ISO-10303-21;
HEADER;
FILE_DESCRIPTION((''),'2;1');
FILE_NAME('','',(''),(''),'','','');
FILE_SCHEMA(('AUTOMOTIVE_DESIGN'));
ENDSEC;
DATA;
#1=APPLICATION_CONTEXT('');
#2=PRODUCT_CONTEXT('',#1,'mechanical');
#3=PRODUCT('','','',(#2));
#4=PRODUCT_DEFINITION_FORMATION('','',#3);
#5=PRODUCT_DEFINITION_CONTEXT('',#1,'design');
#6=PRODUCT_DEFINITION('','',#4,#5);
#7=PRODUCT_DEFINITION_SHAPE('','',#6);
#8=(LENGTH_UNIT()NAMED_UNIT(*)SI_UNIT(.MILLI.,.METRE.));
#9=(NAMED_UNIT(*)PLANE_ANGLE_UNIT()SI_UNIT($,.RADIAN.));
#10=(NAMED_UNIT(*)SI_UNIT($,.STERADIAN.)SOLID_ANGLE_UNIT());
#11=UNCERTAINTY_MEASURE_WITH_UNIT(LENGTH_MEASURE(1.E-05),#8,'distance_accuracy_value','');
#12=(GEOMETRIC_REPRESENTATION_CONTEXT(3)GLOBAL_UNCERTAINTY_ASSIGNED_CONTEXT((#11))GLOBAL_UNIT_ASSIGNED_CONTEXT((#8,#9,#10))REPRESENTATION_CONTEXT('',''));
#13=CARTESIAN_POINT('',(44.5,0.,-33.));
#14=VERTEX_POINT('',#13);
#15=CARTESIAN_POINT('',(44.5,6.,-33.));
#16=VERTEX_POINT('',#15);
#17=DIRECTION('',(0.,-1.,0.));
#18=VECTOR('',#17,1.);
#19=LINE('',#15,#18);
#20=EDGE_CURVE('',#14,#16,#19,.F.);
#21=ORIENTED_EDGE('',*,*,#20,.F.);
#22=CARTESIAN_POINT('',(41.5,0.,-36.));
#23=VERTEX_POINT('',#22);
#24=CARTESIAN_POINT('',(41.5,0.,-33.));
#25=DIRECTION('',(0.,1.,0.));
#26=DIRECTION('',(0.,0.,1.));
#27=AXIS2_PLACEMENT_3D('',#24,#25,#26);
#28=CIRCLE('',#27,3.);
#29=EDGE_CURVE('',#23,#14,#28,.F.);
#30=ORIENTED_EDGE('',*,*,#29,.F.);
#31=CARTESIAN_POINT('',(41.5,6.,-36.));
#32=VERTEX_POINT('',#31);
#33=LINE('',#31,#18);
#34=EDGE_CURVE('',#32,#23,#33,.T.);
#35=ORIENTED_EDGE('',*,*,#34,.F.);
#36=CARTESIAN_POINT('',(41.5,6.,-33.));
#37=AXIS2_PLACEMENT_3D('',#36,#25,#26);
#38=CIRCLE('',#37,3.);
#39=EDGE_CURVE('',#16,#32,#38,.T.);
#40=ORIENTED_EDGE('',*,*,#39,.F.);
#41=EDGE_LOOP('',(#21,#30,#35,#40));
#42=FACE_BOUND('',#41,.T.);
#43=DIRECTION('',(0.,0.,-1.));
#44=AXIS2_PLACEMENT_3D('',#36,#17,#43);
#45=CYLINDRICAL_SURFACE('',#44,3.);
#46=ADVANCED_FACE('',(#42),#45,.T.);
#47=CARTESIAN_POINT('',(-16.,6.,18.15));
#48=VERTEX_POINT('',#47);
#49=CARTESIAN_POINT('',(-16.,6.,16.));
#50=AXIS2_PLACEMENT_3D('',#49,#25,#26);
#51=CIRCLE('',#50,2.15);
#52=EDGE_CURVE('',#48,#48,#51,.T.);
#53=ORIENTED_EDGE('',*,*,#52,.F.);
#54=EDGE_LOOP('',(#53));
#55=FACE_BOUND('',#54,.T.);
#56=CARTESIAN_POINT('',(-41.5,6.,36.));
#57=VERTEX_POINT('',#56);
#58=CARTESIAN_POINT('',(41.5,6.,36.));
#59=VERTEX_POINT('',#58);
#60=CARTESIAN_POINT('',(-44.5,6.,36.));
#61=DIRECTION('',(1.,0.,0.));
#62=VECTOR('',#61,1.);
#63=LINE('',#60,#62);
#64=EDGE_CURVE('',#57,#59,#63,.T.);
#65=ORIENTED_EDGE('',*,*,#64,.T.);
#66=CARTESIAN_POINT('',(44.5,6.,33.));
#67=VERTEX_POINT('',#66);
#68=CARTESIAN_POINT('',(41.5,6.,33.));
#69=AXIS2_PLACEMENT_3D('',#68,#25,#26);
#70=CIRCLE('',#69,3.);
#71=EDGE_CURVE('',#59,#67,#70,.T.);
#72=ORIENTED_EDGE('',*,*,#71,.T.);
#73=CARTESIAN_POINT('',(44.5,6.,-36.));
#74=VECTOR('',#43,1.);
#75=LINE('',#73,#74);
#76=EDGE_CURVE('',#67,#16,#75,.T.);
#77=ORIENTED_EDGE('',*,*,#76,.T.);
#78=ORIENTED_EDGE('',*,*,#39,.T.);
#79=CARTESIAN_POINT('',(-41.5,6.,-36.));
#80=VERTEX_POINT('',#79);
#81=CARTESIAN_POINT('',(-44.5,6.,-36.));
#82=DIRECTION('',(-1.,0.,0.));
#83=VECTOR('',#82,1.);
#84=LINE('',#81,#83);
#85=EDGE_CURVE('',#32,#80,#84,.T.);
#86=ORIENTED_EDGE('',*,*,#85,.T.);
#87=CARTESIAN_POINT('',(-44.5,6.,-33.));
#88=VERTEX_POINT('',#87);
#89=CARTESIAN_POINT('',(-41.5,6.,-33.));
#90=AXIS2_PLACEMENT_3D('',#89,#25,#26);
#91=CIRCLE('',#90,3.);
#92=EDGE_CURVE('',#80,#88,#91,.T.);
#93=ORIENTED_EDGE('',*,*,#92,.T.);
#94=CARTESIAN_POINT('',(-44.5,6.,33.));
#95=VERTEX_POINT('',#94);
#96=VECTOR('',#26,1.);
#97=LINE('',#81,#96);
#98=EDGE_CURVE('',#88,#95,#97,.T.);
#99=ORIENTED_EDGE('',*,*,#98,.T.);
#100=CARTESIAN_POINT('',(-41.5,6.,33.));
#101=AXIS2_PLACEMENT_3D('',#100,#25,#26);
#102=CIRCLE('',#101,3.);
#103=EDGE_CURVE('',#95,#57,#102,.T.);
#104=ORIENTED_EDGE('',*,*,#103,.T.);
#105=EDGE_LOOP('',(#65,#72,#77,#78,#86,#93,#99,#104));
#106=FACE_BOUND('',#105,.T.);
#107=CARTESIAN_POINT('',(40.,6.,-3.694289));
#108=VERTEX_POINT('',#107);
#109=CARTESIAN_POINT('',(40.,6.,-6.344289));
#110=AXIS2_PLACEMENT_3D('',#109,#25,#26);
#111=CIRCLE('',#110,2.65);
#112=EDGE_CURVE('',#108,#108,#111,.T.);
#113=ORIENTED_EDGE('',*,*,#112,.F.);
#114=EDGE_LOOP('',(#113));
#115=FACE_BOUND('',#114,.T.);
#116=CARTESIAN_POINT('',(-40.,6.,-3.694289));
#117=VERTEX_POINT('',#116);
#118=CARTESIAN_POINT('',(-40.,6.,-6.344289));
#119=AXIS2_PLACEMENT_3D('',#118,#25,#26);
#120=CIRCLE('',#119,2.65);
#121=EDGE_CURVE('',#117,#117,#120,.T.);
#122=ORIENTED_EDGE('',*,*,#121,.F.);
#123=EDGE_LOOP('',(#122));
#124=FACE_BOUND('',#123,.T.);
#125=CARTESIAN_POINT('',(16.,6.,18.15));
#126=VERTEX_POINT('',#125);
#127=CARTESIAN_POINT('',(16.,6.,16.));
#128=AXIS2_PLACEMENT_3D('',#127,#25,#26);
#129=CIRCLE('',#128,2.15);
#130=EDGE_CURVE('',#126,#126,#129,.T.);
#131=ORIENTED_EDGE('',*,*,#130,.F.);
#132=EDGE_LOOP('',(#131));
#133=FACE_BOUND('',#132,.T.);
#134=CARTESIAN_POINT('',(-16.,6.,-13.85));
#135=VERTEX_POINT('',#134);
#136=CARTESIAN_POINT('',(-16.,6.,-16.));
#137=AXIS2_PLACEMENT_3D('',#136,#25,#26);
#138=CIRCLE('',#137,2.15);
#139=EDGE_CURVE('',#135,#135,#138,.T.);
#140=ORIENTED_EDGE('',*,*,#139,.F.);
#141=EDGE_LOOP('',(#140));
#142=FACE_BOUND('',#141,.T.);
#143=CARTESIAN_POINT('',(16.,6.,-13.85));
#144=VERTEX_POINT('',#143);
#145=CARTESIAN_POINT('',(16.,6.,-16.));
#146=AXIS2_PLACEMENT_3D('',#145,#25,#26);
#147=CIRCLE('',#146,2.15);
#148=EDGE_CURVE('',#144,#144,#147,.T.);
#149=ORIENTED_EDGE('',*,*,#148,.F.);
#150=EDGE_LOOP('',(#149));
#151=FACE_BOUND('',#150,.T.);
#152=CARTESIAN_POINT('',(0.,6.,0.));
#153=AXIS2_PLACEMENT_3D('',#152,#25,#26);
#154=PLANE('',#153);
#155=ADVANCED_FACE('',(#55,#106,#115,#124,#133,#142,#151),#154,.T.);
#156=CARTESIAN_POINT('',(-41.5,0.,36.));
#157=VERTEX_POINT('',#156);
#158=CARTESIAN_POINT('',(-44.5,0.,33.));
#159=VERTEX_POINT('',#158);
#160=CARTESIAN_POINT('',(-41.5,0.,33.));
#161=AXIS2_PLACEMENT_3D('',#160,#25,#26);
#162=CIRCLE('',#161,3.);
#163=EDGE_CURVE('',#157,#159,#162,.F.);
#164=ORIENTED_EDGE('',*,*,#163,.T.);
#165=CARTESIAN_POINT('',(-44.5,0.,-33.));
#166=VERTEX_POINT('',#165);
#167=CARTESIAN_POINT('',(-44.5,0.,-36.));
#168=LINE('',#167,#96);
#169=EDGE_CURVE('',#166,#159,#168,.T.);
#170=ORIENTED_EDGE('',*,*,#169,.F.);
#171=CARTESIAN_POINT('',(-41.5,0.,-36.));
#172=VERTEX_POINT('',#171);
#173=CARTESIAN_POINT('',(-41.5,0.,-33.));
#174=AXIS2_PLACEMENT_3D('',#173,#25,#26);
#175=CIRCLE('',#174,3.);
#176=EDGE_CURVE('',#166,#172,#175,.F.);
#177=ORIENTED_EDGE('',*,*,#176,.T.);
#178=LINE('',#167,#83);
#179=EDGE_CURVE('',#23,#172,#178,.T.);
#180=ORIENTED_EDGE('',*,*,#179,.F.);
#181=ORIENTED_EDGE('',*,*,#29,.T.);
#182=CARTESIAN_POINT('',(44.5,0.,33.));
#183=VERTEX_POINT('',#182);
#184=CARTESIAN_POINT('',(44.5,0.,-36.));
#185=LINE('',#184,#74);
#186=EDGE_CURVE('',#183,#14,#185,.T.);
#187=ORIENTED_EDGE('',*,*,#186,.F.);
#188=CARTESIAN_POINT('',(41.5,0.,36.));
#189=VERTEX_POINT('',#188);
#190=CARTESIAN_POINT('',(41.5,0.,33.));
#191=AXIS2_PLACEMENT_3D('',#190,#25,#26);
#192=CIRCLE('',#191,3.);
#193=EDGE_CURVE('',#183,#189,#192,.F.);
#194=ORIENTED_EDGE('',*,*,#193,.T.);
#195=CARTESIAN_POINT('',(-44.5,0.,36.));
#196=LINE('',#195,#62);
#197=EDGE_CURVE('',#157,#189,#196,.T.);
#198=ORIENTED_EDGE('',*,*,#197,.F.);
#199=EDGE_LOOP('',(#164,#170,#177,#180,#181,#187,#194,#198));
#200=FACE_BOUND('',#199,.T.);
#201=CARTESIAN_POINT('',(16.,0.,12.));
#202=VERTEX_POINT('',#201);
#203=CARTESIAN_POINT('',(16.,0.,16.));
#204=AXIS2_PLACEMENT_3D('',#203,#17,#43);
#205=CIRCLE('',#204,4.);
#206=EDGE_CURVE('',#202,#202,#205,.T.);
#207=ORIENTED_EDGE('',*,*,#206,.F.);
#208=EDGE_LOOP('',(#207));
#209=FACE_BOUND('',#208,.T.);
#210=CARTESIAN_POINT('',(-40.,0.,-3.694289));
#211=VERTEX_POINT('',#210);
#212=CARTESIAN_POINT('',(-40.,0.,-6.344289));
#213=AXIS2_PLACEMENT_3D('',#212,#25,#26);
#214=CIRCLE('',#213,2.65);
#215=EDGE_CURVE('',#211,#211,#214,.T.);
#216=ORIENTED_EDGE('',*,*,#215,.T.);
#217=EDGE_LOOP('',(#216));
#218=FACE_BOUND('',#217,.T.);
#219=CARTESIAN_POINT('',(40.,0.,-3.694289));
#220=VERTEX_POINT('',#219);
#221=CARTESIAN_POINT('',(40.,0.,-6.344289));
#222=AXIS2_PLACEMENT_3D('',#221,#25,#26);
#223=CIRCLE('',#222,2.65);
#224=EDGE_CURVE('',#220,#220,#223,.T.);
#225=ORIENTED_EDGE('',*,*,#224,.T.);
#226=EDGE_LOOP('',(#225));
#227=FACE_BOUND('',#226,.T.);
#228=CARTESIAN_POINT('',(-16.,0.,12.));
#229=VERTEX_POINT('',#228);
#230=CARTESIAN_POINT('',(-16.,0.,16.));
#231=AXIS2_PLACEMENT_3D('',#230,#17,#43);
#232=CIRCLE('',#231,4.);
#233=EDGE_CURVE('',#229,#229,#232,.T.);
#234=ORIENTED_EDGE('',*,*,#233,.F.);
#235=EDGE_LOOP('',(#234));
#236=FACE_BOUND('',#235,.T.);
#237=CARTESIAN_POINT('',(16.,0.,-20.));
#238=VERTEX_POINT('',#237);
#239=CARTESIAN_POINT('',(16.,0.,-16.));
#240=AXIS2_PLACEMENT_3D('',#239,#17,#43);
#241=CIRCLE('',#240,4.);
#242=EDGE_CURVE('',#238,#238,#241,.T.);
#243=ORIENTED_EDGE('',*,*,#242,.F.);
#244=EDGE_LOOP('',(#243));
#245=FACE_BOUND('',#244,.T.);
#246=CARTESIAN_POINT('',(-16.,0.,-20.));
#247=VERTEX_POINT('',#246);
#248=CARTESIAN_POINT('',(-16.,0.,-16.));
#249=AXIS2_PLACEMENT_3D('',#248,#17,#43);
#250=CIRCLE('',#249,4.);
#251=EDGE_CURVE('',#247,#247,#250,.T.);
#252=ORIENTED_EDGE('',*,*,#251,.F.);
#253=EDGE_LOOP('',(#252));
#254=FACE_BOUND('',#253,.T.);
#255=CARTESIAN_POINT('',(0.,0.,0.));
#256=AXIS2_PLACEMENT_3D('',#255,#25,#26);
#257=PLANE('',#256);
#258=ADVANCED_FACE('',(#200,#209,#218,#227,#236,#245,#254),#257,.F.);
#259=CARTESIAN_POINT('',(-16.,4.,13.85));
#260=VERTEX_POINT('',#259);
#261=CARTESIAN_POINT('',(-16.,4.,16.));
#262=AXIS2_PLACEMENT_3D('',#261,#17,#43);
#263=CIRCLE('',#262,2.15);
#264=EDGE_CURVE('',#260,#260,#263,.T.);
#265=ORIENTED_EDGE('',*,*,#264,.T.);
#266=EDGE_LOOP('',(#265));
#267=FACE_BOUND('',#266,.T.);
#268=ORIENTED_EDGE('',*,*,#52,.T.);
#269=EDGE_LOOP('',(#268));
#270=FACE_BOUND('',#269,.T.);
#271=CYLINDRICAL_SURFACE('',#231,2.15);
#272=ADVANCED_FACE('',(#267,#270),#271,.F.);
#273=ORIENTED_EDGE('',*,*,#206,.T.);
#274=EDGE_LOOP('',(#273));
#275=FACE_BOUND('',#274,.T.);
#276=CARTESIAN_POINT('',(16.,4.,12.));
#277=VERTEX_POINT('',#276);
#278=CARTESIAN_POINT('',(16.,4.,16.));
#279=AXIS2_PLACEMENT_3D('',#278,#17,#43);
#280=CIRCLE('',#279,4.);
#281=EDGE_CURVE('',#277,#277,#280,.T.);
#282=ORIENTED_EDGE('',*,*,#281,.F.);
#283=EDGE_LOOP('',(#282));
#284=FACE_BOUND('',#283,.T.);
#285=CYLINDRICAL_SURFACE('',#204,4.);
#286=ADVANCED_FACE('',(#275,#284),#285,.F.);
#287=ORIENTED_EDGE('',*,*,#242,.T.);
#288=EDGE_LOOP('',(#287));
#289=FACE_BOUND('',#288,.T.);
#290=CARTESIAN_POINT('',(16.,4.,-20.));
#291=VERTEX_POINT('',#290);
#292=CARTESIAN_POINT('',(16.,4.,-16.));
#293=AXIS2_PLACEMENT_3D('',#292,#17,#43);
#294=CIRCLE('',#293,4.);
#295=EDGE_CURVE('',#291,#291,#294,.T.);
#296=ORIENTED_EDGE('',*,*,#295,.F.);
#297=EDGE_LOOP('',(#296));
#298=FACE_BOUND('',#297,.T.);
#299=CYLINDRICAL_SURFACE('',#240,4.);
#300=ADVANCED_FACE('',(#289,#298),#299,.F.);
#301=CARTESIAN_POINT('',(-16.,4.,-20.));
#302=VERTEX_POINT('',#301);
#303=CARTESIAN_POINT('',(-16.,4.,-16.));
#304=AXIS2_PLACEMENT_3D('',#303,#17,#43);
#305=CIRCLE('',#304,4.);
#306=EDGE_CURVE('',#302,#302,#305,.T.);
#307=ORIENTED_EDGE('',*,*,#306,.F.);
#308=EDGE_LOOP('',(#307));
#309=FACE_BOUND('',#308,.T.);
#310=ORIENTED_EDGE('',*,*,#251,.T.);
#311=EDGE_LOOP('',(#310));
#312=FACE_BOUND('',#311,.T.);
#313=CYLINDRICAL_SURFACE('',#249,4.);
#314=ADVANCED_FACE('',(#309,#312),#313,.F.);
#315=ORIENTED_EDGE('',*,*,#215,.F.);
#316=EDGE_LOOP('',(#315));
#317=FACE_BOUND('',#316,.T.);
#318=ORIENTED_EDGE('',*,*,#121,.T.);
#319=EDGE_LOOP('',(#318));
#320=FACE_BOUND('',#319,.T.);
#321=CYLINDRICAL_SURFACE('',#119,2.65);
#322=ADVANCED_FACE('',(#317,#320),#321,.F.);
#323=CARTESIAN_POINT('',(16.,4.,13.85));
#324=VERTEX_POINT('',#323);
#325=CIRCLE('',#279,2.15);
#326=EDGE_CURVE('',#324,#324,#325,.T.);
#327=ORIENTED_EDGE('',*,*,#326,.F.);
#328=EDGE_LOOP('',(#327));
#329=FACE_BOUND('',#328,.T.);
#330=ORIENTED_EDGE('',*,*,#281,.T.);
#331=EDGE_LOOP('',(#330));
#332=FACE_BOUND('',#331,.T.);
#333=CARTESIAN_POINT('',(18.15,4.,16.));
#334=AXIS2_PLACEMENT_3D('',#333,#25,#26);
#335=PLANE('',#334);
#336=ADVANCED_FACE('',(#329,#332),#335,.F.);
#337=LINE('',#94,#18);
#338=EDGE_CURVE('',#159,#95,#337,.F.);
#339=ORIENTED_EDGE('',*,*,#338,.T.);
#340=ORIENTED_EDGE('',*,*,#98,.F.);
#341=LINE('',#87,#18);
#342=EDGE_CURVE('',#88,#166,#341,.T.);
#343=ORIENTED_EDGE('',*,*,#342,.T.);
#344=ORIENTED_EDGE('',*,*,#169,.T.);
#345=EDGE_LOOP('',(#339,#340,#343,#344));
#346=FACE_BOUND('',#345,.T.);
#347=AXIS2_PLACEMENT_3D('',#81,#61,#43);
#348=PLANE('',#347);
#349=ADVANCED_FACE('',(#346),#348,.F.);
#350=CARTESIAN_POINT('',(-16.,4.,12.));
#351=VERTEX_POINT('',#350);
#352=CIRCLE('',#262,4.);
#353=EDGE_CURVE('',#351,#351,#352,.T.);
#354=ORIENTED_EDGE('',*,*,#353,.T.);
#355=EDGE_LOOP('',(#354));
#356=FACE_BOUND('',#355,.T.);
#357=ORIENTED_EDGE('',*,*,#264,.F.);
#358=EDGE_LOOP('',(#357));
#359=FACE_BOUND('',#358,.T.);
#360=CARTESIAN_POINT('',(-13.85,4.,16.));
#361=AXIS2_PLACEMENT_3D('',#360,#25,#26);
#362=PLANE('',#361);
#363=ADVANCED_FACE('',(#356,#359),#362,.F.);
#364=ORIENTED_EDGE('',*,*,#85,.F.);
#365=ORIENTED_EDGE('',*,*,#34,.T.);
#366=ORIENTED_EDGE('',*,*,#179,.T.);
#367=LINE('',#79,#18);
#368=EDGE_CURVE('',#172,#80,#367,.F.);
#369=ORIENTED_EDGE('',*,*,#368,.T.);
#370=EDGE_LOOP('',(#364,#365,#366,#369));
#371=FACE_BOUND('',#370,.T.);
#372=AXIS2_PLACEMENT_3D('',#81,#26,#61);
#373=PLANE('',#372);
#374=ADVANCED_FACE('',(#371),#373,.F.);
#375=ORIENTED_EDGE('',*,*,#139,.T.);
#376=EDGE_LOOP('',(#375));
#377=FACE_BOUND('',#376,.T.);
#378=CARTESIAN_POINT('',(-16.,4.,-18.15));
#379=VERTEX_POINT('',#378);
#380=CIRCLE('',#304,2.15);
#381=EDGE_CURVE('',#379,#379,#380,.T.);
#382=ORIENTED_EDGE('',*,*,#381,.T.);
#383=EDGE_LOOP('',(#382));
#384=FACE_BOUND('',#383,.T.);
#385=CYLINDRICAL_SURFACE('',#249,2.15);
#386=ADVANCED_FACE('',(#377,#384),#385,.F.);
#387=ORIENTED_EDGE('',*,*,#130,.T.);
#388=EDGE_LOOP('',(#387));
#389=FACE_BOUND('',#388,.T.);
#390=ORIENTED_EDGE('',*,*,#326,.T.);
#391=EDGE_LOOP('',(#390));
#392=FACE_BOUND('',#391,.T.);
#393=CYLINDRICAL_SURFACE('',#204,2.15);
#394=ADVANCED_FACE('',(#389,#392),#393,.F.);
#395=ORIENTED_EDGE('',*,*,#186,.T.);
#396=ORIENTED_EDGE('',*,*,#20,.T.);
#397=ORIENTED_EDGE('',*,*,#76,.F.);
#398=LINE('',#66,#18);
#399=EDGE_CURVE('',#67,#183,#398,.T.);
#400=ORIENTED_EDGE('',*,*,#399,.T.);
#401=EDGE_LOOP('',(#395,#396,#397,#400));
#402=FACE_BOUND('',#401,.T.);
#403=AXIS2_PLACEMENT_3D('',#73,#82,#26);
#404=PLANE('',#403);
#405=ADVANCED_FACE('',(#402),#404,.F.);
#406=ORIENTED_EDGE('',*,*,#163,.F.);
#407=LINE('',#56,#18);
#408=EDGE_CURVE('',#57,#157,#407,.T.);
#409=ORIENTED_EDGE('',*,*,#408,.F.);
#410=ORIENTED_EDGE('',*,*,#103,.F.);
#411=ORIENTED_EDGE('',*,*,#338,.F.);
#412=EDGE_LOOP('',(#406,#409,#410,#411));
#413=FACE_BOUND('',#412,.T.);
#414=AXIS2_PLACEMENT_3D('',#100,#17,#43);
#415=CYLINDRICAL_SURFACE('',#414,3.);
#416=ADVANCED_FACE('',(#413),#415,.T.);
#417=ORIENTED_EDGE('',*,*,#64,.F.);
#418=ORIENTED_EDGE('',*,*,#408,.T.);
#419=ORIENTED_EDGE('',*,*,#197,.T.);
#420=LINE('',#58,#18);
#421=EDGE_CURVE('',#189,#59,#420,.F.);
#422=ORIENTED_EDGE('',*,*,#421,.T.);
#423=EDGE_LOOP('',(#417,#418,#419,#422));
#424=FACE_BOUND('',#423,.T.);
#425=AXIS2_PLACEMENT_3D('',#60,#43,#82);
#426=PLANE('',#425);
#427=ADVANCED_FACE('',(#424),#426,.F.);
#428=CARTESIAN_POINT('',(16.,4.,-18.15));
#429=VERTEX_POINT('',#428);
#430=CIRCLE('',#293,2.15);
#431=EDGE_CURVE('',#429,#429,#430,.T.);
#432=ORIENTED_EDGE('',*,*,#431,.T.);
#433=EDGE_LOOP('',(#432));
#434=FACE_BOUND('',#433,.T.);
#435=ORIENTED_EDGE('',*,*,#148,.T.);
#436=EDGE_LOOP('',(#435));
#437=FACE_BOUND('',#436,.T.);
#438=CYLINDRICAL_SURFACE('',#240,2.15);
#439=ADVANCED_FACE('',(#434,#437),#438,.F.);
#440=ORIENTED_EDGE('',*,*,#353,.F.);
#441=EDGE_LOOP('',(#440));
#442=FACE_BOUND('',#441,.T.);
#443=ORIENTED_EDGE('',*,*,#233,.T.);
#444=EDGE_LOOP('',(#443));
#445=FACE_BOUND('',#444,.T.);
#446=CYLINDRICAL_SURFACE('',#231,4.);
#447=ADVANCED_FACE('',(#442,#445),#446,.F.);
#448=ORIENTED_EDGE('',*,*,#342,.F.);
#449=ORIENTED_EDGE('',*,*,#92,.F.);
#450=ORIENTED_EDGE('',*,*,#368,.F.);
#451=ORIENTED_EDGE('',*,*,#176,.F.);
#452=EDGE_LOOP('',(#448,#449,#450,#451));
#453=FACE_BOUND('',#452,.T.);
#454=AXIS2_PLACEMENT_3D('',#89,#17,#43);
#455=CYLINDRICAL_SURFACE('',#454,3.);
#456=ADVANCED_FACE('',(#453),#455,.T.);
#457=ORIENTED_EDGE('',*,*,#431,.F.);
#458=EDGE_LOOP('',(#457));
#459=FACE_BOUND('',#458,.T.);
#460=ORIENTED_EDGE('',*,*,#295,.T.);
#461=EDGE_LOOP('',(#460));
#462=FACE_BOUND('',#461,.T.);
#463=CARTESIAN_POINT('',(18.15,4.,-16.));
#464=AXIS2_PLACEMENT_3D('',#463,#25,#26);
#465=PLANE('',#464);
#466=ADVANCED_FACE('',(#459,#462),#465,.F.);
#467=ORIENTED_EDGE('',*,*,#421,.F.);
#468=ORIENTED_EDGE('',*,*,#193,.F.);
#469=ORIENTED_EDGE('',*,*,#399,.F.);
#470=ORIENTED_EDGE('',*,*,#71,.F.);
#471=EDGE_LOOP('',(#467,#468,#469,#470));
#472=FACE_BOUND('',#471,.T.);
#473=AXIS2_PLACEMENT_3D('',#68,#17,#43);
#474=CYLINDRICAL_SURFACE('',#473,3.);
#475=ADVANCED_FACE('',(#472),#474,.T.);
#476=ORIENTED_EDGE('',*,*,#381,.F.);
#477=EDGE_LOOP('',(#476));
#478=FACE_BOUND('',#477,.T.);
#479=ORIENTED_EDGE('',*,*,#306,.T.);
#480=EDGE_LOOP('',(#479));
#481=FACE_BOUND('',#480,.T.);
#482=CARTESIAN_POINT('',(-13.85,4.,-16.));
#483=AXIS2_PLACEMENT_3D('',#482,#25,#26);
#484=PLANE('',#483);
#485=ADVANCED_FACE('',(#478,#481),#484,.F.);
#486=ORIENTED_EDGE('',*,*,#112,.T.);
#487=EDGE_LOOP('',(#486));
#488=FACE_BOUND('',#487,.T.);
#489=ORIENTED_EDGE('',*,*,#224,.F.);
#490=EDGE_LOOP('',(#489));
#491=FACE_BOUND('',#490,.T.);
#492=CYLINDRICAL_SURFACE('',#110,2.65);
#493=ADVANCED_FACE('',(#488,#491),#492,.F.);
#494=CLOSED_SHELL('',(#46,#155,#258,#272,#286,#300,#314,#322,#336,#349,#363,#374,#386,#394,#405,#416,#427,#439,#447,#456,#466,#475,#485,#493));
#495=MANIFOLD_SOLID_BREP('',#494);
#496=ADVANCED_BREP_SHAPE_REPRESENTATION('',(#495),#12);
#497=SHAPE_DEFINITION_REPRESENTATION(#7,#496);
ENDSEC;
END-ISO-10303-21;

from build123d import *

# Parameters (mm, degrees)
SKETCH2_W                      = 89
SKETCH2_H                      = 72
BOSS_EXTRUDE1_DEPTH            = 6
CBORE_FOR_M4_SHCS1_D           = 4.3
CBORE_FOR_M4_SHCS1_CBORE_D     = 8
CBORE_FOR_M4_SHCS1_CBORE_DEPTH = 4
M5_CLEARANCE_HOLE1_D           = 5.3
FILLET1_R                      = 3


with BuildPart() as part:
    # Sketch2 → Boss-Extrude1 (new body)
    with BuildSketch(Plane(origin=(0, 0, 0), x_dir=(1, 0, 0), z_dir=(0, 1, 0))):
        Rectangle(SKETCH2_W, SKETCH2_H)
    extrude(amount=BOSS_EXTRUDE1_DEPTH)

    # CBORE for M4 SHCS1 (through all)
    with Locations(Plane(origin=(0, 0, 0), x_dir=(-1, 0, 0), z_dir=(0, -1, 0))):
        with Locations((-16, -16), (-16, 16), (16, 16), (16, -16)):
            CounterBoreHole(CBORE_FOR_M4_SHCS1_D / 2, CBORE_FOR_M4_SHCS1_CBORE_D / 2, CBORE_FOR_M4_SHCS1_CBORE_DEPTH)

    # M5 Clearance Hole1 (through all)
    with Locations(Plane(origin=(0, 6, 0), x_dir=(1, 0, 0), z_dir=(0, 1, 0))):
        with Locations((-40, 6.34428877), (40, 6.34428877)):
            Hole(M5_CLEARANCE_HOLE1_D / 2)

    # Fillet1
    fillet1_edges = [part.edges().sort_by_distance(p)[0] for p in [
        (-44.5, 3, -36),
        (44.5, 3, -36),
        (44.5, 3, 36),
        (-44.5, 3, 36),
    ]]
    fillet(fillet1_edges, radius=FILLET1_R)


solid = part.part
